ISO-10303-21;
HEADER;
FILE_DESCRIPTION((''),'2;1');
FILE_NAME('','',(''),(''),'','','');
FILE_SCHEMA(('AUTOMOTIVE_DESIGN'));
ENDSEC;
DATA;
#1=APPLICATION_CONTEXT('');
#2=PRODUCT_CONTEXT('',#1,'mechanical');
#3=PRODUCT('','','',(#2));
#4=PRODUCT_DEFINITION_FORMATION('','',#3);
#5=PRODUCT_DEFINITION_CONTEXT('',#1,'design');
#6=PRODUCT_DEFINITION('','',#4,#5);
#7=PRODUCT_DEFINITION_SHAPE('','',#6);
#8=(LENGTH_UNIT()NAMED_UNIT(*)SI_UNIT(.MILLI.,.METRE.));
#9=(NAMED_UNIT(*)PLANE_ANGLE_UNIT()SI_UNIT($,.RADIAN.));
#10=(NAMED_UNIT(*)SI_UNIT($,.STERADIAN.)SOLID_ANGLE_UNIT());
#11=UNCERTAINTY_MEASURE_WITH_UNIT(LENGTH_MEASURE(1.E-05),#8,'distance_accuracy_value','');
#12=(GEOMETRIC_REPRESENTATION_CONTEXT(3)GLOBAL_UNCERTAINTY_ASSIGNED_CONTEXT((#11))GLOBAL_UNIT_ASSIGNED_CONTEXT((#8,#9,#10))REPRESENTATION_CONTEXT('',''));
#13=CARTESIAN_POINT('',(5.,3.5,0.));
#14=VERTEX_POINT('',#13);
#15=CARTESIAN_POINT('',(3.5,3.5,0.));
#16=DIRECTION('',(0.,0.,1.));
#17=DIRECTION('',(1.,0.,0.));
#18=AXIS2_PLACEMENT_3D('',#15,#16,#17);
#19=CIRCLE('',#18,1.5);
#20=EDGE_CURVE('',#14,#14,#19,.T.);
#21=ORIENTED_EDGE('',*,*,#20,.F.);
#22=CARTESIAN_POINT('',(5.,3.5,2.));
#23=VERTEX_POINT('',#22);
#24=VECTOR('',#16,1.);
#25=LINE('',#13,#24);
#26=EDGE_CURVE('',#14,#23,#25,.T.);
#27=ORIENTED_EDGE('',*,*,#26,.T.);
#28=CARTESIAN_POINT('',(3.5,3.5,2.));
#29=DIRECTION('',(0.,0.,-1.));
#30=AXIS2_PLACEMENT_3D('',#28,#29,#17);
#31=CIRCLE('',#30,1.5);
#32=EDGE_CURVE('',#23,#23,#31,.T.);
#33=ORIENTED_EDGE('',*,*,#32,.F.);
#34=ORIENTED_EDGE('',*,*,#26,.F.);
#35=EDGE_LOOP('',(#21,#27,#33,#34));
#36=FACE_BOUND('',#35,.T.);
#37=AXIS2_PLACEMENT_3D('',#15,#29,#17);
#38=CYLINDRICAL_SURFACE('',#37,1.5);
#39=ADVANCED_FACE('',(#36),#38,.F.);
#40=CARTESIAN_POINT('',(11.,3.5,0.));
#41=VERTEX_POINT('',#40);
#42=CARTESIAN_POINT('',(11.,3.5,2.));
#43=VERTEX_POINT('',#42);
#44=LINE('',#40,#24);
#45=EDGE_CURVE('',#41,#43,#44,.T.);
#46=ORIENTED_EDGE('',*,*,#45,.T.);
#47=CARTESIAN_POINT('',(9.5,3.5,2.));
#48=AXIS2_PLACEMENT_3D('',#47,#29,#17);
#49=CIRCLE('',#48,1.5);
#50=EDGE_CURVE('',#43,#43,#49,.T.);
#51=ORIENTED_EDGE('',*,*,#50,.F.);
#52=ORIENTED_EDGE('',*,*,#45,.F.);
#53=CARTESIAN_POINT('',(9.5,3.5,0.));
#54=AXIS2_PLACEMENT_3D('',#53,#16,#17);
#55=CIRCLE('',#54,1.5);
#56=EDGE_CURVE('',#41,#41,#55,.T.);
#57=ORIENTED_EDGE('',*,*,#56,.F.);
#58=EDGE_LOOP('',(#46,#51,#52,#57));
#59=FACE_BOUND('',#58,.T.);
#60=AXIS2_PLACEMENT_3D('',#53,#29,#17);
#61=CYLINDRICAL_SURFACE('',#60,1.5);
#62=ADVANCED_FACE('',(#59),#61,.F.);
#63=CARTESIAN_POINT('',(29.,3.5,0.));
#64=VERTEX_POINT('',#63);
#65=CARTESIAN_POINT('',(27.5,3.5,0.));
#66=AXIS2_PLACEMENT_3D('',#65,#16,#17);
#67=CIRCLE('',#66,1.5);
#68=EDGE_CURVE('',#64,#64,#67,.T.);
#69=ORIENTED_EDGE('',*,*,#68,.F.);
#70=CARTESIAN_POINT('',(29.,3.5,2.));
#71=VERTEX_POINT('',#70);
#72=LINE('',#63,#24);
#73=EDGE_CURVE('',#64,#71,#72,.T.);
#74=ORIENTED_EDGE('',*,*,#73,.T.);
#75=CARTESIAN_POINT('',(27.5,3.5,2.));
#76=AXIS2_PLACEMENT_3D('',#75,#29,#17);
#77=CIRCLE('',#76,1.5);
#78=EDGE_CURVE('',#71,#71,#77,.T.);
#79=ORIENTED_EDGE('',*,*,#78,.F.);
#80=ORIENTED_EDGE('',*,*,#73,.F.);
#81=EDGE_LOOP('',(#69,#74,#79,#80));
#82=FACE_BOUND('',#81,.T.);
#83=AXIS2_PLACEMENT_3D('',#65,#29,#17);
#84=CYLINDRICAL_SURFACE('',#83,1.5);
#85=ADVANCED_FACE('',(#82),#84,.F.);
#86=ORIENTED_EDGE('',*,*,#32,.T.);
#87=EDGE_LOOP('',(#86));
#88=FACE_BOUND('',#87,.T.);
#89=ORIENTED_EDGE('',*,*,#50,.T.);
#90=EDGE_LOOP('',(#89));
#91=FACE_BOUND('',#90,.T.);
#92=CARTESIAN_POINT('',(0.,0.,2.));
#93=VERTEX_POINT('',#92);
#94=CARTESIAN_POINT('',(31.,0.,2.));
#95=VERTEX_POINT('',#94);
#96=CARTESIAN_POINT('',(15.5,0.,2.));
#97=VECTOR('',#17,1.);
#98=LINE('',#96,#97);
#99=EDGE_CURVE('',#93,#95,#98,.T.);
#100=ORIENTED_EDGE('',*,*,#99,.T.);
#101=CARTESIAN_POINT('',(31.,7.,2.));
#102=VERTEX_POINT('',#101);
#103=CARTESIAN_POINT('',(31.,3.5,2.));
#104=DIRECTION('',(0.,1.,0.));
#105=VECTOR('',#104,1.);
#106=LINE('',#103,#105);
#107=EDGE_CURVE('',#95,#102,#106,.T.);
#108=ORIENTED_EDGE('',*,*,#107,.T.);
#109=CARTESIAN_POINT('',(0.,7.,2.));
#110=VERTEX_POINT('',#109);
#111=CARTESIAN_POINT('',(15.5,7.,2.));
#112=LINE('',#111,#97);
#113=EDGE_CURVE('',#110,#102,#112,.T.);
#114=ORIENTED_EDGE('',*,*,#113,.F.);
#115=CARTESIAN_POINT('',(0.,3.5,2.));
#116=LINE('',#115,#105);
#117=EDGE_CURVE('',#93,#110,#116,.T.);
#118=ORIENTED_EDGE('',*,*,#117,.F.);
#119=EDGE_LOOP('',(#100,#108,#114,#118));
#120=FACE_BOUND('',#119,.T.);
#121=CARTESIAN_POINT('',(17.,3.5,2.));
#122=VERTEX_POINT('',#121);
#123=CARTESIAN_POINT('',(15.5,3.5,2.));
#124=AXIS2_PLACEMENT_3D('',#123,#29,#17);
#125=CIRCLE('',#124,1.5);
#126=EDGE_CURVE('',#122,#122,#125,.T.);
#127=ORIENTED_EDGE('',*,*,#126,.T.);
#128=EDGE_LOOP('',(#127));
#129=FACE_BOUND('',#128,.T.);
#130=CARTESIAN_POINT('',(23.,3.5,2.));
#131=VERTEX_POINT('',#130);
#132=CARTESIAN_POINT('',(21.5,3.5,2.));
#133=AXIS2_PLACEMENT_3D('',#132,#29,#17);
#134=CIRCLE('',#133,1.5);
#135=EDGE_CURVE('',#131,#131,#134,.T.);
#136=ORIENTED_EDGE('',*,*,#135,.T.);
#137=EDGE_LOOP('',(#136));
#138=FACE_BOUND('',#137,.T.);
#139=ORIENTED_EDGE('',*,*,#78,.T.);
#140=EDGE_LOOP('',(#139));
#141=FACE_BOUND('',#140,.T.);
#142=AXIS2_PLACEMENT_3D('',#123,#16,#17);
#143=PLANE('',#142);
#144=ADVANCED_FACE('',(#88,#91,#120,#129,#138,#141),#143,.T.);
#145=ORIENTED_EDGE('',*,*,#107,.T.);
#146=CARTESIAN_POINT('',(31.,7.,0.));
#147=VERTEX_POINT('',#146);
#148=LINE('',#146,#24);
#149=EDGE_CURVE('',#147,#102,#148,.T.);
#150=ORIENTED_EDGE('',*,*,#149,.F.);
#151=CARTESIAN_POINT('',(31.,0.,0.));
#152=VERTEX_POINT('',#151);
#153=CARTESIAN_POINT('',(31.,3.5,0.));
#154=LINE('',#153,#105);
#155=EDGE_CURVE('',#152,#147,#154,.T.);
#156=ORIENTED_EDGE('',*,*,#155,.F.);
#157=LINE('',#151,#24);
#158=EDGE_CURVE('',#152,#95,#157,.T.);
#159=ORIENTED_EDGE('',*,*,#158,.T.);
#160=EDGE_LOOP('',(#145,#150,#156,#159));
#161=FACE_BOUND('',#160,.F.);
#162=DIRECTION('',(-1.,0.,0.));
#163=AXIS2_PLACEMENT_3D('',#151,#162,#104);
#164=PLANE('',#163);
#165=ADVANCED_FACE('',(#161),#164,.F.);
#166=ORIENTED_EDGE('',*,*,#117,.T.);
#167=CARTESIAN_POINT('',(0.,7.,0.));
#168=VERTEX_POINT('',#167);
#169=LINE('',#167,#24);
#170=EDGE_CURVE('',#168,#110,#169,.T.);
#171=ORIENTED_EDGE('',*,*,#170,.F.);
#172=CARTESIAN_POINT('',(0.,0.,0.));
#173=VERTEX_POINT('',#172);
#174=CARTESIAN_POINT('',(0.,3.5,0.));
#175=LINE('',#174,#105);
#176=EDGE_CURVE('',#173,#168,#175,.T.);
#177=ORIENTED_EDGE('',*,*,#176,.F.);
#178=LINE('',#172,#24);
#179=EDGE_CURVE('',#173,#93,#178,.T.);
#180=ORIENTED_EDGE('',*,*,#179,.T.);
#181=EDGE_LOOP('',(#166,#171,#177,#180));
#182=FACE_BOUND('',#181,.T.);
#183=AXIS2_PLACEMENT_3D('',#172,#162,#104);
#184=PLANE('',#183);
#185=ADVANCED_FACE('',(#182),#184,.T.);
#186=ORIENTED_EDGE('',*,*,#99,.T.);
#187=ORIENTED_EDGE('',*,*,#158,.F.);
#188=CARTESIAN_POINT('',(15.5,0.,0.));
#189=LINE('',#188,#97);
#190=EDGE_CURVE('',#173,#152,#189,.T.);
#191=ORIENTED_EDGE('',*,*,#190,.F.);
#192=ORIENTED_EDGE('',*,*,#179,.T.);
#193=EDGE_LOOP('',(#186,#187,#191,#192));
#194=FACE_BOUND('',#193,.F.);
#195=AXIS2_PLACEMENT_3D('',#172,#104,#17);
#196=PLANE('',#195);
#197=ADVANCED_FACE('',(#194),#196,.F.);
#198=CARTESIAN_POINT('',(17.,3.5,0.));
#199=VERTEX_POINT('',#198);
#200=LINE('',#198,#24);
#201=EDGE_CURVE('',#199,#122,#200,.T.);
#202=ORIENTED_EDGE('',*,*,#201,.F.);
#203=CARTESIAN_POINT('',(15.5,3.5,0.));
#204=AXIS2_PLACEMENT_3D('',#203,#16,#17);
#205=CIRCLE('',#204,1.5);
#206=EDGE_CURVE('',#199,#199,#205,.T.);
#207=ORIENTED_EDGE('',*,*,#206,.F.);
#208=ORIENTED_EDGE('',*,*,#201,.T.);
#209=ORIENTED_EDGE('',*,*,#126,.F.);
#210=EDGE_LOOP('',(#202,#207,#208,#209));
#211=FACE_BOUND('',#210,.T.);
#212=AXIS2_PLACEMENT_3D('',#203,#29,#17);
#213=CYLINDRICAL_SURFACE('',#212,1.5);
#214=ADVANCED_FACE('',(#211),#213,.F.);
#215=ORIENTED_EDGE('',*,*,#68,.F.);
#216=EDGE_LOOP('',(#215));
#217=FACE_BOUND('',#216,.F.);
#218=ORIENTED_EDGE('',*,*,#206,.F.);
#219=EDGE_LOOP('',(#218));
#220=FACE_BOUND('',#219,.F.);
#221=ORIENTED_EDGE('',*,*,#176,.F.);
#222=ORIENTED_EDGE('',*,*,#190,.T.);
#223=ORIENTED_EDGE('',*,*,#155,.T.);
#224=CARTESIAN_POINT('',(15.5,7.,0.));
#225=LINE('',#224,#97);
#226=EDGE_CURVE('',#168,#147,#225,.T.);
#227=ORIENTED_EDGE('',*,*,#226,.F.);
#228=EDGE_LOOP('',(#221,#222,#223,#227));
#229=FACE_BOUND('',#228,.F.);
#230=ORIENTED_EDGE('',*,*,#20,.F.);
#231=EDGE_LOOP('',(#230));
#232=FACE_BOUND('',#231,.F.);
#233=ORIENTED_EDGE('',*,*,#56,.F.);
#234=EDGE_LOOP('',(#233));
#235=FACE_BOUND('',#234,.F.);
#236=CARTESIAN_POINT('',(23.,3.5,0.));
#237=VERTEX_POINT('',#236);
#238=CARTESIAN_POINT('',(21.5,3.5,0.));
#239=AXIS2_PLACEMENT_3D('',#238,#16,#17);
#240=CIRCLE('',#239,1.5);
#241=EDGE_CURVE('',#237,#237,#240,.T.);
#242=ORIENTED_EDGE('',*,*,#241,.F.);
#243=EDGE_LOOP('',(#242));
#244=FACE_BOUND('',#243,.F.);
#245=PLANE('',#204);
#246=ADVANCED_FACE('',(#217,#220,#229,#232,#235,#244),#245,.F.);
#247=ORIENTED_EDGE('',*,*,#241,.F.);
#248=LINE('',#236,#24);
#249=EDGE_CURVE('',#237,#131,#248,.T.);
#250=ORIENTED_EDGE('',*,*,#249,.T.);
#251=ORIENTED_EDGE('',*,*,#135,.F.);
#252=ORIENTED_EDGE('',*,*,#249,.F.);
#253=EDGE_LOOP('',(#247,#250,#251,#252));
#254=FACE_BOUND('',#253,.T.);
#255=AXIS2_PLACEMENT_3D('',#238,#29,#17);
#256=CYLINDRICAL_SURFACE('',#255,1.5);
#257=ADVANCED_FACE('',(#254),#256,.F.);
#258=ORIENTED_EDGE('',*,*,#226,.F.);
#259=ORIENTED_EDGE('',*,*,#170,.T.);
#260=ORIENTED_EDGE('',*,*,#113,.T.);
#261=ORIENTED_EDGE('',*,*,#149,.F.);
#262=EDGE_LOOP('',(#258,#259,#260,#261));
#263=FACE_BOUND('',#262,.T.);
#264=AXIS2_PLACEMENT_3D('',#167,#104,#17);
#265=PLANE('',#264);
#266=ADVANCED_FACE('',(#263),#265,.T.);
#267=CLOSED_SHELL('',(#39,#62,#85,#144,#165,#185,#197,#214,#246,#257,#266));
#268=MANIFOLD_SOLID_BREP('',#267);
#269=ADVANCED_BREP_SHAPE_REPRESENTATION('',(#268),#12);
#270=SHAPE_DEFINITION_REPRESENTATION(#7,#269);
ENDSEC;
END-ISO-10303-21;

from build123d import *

# Parameters (mm, degrees)
CYLINDER_R     = 1.5
CYLINDER_DEPTH = 4
ARRAY_X_COUNT  = 5
ARRAY_X_PITCH  = 6
BOX_W          = 31
BOX_H          = 7
BOX_DEPTH      = 2


with BuildPart() as buracos:
    # Cylinder → Cylinder (new body)
    with BuildSketch(Plane.XY):
        Circle(CYLINDER_R)
    extrude(amount=CYLINDER_DEPTH)

    # Array X: buracos ×5


with BuildPart() as buracos_1:
    add(buracos.part)
    with Locations(*[(i * ARRAY_X_PITCH, 0, 0) for i in range(1, ARRAY_X_COUNT)]):
        add(buracos.part)


with BuildPart() as buracos_2:
    # Array placement: moved
    add(buracos_1.part.moved(Location((3.5, 3.5, 0))))


with BuildPart() as cut:
    # Box → Box (new body)
    with BuildSketch(Plane.XY):
        with Locations((15.5, 3.5)):
            Rectangle(BOX_W, BOX_H)
    extrude(amount=BOX_DEPTH)

    # Cut: cut buracos
    add(buracos_2.part, mode=Mode.SUBTRACT)


solid = cut.part
